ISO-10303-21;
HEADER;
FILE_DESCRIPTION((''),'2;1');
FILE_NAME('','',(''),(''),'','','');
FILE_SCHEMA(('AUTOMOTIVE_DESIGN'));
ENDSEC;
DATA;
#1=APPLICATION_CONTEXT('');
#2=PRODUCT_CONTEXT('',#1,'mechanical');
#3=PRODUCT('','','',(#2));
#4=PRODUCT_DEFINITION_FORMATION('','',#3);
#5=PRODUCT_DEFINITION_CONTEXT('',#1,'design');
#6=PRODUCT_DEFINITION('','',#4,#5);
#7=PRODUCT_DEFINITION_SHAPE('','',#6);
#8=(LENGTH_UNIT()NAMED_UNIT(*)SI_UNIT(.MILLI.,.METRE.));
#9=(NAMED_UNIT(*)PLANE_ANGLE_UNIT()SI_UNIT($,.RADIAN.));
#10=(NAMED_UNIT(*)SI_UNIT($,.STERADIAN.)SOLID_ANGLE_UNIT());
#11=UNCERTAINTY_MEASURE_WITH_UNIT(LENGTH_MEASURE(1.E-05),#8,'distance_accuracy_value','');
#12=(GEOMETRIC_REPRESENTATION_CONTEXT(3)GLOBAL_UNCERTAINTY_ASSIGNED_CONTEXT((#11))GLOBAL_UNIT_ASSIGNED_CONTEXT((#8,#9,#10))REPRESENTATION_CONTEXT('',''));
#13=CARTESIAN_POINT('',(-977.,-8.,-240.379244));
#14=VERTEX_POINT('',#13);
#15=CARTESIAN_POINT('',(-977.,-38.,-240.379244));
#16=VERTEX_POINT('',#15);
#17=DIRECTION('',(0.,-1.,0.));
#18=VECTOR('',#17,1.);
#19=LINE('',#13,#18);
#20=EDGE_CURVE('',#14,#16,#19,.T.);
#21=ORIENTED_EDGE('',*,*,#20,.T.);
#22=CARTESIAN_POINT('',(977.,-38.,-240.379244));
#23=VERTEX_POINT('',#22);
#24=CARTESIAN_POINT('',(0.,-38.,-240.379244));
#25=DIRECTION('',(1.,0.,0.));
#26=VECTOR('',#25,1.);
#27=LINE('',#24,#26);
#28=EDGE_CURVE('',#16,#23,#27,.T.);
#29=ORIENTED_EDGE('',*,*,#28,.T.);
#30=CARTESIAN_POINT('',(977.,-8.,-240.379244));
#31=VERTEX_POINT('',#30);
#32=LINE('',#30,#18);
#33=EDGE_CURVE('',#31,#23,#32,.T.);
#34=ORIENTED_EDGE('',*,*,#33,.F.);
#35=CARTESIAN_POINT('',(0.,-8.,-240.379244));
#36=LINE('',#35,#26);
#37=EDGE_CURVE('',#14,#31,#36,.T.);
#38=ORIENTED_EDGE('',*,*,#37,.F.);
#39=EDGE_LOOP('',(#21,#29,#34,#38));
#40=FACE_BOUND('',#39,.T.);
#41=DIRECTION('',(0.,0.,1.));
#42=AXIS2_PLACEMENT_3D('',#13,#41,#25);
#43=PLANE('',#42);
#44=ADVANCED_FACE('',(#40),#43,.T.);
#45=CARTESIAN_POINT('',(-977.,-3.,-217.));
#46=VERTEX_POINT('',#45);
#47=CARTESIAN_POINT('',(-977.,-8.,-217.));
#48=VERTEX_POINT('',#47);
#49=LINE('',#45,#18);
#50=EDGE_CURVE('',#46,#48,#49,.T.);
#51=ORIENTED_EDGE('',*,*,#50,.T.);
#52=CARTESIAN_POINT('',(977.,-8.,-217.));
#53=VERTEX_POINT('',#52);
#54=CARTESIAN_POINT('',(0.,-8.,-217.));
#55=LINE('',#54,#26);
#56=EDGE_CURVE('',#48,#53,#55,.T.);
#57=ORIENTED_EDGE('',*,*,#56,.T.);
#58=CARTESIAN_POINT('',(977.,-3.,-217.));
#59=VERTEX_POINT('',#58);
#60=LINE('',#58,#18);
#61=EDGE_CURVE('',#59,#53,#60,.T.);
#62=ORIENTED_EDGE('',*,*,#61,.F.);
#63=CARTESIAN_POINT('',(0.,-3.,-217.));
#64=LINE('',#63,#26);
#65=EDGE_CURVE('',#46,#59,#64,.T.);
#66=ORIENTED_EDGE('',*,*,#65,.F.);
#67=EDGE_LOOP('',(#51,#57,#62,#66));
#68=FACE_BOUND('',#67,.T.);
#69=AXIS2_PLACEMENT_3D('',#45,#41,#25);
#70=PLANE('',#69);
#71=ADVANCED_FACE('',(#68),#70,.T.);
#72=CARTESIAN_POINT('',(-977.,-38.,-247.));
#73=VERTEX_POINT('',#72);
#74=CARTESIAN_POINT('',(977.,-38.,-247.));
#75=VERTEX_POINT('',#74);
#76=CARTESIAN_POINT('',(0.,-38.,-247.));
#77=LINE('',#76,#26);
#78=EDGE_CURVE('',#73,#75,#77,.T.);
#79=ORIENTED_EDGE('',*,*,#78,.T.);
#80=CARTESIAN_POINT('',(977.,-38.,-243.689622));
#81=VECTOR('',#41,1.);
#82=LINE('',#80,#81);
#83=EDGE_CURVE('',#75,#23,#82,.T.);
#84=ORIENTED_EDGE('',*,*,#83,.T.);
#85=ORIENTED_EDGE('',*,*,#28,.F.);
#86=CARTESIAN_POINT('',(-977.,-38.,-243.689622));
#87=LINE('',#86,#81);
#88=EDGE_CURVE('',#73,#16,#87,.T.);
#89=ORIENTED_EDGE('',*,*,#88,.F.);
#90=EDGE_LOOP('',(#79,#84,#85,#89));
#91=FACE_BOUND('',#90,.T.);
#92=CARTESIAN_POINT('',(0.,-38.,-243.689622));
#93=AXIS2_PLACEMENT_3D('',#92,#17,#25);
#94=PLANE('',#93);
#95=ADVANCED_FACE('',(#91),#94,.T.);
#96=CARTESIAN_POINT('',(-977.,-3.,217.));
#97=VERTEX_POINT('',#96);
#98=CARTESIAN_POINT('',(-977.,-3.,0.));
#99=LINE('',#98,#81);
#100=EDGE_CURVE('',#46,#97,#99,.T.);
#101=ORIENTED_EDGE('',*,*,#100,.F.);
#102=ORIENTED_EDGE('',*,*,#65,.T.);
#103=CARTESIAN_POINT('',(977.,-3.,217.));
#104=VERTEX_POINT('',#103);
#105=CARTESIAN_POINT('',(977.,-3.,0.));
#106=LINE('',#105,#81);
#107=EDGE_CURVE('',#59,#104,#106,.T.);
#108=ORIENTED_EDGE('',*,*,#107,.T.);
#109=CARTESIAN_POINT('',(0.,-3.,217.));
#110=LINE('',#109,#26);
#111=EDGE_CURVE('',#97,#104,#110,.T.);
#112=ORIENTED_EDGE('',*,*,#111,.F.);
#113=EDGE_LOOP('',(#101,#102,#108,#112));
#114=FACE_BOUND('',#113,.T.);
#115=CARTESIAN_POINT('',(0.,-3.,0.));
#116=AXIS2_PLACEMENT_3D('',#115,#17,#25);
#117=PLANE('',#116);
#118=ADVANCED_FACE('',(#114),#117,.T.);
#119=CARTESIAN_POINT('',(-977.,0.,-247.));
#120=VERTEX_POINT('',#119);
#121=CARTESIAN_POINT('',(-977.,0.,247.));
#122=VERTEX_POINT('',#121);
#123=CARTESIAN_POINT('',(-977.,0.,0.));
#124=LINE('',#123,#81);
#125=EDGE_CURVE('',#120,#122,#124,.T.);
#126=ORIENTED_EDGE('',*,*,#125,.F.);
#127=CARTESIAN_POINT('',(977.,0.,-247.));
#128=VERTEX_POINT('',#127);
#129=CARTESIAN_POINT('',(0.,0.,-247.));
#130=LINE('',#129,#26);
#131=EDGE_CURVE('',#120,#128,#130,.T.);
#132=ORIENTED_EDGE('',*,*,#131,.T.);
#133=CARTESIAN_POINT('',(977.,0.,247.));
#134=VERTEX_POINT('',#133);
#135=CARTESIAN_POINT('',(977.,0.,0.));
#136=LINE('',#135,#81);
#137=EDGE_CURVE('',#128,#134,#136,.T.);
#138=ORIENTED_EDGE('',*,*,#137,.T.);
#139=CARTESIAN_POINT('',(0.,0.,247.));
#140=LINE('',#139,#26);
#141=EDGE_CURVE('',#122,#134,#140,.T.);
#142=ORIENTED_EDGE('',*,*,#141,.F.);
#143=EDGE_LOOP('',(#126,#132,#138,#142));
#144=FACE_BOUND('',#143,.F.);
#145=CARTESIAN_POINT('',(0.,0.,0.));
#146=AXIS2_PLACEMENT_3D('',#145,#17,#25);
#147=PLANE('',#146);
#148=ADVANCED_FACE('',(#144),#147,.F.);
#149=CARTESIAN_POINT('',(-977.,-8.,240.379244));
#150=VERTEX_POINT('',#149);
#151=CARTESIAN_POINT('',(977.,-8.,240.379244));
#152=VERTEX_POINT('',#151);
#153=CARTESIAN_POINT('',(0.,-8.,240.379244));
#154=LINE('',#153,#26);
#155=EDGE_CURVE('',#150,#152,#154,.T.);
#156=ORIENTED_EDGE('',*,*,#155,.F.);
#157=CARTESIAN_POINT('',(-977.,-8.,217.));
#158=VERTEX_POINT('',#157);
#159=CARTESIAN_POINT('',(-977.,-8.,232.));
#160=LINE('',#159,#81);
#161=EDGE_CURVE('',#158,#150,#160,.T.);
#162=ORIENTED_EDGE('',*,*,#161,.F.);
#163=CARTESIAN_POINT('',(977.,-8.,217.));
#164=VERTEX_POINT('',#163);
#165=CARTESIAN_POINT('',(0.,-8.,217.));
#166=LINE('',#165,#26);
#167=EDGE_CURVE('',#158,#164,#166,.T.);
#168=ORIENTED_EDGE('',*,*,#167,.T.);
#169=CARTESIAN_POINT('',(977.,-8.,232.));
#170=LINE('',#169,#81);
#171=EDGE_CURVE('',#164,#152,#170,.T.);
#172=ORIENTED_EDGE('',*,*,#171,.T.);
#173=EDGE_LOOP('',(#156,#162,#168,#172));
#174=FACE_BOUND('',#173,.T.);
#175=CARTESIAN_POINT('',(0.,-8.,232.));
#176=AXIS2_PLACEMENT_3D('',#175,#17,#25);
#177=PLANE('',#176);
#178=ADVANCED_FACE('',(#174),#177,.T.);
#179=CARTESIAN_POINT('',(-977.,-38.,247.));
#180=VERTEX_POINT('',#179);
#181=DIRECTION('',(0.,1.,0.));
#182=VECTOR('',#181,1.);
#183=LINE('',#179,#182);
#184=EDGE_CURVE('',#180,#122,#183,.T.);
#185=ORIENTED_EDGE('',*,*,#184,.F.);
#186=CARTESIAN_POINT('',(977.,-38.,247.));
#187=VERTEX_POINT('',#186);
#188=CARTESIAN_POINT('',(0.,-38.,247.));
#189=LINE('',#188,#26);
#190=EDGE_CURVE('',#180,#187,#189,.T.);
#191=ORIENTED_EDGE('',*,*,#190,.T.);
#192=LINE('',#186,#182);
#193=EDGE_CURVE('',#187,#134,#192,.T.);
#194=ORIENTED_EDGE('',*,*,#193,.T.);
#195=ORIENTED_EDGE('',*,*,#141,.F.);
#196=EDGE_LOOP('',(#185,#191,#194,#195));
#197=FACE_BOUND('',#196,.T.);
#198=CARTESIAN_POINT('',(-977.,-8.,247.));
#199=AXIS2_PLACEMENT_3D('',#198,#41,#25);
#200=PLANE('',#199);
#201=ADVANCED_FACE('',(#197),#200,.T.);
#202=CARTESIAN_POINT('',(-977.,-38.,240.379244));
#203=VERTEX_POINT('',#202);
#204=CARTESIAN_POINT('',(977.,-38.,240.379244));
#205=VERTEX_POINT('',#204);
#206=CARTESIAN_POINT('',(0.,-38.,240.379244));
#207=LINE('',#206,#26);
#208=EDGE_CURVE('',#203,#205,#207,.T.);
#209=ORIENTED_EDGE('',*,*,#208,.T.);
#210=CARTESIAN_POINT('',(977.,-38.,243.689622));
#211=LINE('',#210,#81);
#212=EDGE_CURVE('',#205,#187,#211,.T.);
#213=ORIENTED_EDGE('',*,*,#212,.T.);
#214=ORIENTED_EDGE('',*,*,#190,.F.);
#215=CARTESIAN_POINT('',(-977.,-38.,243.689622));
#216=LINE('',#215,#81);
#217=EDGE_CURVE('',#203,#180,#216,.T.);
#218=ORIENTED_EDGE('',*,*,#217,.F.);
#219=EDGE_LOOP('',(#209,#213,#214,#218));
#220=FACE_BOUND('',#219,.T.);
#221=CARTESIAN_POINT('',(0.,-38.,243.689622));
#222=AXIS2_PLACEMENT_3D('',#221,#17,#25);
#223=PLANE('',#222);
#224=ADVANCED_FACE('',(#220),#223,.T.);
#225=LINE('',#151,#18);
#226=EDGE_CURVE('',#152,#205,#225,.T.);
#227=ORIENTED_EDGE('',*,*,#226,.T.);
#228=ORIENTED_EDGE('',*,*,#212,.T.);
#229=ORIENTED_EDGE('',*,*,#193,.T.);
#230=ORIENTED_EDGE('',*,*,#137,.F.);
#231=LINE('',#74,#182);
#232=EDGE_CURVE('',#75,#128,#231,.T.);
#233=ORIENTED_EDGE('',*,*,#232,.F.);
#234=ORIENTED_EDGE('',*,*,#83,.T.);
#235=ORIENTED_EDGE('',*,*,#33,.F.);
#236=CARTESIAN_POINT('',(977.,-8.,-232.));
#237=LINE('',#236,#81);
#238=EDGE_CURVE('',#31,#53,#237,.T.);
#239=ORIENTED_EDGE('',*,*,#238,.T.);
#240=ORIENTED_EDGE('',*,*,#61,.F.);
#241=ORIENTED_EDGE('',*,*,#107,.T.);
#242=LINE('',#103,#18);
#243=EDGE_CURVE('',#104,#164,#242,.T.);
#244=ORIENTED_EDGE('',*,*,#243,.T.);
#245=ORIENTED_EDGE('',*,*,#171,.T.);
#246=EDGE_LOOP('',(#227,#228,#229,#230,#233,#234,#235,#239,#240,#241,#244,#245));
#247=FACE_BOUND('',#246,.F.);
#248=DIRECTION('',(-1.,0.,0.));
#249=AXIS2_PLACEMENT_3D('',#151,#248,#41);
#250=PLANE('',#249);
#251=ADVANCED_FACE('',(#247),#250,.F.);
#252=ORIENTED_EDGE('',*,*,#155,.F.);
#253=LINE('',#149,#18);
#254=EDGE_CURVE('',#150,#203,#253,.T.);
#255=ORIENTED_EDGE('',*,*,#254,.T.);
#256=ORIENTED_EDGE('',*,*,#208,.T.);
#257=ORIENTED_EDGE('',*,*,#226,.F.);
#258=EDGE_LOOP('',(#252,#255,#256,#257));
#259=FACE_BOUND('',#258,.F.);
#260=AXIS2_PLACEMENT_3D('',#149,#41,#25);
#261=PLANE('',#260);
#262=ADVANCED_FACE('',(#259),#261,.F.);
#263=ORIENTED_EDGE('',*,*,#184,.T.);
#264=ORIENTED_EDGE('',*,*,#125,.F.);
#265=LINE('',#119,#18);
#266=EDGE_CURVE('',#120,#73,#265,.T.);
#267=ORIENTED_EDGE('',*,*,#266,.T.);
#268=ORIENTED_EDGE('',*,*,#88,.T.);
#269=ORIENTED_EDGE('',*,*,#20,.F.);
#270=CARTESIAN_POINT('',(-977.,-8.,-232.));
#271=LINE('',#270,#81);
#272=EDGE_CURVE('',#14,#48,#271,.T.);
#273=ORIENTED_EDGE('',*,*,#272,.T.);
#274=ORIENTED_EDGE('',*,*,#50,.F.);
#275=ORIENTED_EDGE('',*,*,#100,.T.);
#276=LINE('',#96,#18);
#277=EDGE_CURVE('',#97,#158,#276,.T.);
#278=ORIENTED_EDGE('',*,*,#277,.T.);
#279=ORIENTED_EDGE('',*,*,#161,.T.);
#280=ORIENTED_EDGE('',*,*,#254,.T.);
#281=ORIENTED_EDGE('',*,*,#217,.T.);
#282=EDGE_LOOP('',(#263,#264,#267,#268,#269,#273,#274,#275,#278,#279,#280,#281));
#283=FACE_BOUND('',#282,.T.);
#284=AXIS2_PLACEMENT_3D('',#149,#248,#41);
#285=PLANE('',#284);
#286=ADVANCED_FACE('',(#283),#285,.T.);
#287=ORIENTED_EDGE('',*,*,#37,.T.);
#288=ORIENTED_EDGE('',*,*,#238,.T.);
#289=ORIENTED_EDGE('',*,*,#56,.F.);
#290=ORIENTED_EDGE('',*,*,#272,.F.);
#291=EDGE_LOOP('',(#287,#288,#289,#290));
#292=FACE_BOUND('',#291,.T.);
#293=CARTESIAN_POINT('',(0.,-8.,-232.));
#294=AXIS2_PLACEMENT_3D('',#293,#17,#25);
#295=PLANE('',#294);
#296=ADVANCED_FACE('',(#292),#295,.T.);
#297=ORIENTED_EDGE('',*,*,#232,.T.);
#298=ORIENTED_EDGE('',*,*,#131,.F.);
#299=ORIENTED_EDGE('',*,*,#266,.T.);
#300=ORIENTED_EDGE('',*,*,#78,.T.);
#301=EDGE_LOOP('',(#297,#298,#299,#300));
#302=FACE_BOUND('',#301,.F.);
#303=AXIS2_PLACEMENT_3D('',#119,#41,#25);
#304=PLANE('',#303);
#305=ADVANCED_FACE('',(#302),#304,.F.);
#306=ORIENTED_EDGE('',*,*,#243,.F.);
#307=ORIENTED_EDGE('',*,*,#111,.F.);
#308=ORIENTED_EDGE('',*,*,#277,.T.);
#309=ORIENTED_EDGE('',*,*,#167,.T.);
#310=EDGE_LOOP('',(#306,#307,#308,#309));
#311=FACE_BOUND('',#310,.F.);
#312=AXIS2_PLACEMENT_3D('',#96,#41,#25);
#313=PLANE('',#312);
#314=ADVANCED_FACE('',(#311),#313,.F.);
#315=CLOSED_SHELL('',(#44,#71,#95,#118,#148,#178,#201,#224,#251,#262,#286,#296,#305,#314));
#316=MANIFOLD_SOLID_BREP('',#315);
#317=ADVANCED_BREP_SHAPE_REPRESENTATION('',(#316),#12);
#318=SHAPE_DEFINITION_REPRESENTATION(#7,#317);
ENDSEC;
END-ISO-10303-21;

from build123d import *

# Parameters (mm, degrees)
F0_W     = 1954
F0_H     = 494
F1_DEPTH = 3
F2_W     = 1954
F2_H     = 30
F3_DEPTH = 5
F4_W     = 1954
F4_H     = 6.620756
F5_DEPTH = 30


with BuildPart() as f1:
    # F0 (on Front) → F1 (new body)
    with BuildSketch(Plane.XZ):
        Rectangle(F0_W, F0_H)
    extrude(amount=F1_DEPTH)

    # F2 (on face) → F3 (join)
    with BuildSketch(Plane.XZ.offset(3)):
        with Locations((0, 232)):
            Rectangle(F2_W, F2_H)
        with Locations((0, -232)):
            Rectangle(F2_W, F2_H)
    extrude(amount=F3_DEPTH)

    # F4 (on face) → F5 (join)
    with BuildSketch(Plane.XZ.offset(8)):
        with Locations((0, 243.689622)):
            Rectangle(F4_W, F4_H)
        with Locations((0, -243.689622)):
            Rectangle(F4_W, F4_H)
    extrude(amount=F5_DEPTH)


solid = f1.part
